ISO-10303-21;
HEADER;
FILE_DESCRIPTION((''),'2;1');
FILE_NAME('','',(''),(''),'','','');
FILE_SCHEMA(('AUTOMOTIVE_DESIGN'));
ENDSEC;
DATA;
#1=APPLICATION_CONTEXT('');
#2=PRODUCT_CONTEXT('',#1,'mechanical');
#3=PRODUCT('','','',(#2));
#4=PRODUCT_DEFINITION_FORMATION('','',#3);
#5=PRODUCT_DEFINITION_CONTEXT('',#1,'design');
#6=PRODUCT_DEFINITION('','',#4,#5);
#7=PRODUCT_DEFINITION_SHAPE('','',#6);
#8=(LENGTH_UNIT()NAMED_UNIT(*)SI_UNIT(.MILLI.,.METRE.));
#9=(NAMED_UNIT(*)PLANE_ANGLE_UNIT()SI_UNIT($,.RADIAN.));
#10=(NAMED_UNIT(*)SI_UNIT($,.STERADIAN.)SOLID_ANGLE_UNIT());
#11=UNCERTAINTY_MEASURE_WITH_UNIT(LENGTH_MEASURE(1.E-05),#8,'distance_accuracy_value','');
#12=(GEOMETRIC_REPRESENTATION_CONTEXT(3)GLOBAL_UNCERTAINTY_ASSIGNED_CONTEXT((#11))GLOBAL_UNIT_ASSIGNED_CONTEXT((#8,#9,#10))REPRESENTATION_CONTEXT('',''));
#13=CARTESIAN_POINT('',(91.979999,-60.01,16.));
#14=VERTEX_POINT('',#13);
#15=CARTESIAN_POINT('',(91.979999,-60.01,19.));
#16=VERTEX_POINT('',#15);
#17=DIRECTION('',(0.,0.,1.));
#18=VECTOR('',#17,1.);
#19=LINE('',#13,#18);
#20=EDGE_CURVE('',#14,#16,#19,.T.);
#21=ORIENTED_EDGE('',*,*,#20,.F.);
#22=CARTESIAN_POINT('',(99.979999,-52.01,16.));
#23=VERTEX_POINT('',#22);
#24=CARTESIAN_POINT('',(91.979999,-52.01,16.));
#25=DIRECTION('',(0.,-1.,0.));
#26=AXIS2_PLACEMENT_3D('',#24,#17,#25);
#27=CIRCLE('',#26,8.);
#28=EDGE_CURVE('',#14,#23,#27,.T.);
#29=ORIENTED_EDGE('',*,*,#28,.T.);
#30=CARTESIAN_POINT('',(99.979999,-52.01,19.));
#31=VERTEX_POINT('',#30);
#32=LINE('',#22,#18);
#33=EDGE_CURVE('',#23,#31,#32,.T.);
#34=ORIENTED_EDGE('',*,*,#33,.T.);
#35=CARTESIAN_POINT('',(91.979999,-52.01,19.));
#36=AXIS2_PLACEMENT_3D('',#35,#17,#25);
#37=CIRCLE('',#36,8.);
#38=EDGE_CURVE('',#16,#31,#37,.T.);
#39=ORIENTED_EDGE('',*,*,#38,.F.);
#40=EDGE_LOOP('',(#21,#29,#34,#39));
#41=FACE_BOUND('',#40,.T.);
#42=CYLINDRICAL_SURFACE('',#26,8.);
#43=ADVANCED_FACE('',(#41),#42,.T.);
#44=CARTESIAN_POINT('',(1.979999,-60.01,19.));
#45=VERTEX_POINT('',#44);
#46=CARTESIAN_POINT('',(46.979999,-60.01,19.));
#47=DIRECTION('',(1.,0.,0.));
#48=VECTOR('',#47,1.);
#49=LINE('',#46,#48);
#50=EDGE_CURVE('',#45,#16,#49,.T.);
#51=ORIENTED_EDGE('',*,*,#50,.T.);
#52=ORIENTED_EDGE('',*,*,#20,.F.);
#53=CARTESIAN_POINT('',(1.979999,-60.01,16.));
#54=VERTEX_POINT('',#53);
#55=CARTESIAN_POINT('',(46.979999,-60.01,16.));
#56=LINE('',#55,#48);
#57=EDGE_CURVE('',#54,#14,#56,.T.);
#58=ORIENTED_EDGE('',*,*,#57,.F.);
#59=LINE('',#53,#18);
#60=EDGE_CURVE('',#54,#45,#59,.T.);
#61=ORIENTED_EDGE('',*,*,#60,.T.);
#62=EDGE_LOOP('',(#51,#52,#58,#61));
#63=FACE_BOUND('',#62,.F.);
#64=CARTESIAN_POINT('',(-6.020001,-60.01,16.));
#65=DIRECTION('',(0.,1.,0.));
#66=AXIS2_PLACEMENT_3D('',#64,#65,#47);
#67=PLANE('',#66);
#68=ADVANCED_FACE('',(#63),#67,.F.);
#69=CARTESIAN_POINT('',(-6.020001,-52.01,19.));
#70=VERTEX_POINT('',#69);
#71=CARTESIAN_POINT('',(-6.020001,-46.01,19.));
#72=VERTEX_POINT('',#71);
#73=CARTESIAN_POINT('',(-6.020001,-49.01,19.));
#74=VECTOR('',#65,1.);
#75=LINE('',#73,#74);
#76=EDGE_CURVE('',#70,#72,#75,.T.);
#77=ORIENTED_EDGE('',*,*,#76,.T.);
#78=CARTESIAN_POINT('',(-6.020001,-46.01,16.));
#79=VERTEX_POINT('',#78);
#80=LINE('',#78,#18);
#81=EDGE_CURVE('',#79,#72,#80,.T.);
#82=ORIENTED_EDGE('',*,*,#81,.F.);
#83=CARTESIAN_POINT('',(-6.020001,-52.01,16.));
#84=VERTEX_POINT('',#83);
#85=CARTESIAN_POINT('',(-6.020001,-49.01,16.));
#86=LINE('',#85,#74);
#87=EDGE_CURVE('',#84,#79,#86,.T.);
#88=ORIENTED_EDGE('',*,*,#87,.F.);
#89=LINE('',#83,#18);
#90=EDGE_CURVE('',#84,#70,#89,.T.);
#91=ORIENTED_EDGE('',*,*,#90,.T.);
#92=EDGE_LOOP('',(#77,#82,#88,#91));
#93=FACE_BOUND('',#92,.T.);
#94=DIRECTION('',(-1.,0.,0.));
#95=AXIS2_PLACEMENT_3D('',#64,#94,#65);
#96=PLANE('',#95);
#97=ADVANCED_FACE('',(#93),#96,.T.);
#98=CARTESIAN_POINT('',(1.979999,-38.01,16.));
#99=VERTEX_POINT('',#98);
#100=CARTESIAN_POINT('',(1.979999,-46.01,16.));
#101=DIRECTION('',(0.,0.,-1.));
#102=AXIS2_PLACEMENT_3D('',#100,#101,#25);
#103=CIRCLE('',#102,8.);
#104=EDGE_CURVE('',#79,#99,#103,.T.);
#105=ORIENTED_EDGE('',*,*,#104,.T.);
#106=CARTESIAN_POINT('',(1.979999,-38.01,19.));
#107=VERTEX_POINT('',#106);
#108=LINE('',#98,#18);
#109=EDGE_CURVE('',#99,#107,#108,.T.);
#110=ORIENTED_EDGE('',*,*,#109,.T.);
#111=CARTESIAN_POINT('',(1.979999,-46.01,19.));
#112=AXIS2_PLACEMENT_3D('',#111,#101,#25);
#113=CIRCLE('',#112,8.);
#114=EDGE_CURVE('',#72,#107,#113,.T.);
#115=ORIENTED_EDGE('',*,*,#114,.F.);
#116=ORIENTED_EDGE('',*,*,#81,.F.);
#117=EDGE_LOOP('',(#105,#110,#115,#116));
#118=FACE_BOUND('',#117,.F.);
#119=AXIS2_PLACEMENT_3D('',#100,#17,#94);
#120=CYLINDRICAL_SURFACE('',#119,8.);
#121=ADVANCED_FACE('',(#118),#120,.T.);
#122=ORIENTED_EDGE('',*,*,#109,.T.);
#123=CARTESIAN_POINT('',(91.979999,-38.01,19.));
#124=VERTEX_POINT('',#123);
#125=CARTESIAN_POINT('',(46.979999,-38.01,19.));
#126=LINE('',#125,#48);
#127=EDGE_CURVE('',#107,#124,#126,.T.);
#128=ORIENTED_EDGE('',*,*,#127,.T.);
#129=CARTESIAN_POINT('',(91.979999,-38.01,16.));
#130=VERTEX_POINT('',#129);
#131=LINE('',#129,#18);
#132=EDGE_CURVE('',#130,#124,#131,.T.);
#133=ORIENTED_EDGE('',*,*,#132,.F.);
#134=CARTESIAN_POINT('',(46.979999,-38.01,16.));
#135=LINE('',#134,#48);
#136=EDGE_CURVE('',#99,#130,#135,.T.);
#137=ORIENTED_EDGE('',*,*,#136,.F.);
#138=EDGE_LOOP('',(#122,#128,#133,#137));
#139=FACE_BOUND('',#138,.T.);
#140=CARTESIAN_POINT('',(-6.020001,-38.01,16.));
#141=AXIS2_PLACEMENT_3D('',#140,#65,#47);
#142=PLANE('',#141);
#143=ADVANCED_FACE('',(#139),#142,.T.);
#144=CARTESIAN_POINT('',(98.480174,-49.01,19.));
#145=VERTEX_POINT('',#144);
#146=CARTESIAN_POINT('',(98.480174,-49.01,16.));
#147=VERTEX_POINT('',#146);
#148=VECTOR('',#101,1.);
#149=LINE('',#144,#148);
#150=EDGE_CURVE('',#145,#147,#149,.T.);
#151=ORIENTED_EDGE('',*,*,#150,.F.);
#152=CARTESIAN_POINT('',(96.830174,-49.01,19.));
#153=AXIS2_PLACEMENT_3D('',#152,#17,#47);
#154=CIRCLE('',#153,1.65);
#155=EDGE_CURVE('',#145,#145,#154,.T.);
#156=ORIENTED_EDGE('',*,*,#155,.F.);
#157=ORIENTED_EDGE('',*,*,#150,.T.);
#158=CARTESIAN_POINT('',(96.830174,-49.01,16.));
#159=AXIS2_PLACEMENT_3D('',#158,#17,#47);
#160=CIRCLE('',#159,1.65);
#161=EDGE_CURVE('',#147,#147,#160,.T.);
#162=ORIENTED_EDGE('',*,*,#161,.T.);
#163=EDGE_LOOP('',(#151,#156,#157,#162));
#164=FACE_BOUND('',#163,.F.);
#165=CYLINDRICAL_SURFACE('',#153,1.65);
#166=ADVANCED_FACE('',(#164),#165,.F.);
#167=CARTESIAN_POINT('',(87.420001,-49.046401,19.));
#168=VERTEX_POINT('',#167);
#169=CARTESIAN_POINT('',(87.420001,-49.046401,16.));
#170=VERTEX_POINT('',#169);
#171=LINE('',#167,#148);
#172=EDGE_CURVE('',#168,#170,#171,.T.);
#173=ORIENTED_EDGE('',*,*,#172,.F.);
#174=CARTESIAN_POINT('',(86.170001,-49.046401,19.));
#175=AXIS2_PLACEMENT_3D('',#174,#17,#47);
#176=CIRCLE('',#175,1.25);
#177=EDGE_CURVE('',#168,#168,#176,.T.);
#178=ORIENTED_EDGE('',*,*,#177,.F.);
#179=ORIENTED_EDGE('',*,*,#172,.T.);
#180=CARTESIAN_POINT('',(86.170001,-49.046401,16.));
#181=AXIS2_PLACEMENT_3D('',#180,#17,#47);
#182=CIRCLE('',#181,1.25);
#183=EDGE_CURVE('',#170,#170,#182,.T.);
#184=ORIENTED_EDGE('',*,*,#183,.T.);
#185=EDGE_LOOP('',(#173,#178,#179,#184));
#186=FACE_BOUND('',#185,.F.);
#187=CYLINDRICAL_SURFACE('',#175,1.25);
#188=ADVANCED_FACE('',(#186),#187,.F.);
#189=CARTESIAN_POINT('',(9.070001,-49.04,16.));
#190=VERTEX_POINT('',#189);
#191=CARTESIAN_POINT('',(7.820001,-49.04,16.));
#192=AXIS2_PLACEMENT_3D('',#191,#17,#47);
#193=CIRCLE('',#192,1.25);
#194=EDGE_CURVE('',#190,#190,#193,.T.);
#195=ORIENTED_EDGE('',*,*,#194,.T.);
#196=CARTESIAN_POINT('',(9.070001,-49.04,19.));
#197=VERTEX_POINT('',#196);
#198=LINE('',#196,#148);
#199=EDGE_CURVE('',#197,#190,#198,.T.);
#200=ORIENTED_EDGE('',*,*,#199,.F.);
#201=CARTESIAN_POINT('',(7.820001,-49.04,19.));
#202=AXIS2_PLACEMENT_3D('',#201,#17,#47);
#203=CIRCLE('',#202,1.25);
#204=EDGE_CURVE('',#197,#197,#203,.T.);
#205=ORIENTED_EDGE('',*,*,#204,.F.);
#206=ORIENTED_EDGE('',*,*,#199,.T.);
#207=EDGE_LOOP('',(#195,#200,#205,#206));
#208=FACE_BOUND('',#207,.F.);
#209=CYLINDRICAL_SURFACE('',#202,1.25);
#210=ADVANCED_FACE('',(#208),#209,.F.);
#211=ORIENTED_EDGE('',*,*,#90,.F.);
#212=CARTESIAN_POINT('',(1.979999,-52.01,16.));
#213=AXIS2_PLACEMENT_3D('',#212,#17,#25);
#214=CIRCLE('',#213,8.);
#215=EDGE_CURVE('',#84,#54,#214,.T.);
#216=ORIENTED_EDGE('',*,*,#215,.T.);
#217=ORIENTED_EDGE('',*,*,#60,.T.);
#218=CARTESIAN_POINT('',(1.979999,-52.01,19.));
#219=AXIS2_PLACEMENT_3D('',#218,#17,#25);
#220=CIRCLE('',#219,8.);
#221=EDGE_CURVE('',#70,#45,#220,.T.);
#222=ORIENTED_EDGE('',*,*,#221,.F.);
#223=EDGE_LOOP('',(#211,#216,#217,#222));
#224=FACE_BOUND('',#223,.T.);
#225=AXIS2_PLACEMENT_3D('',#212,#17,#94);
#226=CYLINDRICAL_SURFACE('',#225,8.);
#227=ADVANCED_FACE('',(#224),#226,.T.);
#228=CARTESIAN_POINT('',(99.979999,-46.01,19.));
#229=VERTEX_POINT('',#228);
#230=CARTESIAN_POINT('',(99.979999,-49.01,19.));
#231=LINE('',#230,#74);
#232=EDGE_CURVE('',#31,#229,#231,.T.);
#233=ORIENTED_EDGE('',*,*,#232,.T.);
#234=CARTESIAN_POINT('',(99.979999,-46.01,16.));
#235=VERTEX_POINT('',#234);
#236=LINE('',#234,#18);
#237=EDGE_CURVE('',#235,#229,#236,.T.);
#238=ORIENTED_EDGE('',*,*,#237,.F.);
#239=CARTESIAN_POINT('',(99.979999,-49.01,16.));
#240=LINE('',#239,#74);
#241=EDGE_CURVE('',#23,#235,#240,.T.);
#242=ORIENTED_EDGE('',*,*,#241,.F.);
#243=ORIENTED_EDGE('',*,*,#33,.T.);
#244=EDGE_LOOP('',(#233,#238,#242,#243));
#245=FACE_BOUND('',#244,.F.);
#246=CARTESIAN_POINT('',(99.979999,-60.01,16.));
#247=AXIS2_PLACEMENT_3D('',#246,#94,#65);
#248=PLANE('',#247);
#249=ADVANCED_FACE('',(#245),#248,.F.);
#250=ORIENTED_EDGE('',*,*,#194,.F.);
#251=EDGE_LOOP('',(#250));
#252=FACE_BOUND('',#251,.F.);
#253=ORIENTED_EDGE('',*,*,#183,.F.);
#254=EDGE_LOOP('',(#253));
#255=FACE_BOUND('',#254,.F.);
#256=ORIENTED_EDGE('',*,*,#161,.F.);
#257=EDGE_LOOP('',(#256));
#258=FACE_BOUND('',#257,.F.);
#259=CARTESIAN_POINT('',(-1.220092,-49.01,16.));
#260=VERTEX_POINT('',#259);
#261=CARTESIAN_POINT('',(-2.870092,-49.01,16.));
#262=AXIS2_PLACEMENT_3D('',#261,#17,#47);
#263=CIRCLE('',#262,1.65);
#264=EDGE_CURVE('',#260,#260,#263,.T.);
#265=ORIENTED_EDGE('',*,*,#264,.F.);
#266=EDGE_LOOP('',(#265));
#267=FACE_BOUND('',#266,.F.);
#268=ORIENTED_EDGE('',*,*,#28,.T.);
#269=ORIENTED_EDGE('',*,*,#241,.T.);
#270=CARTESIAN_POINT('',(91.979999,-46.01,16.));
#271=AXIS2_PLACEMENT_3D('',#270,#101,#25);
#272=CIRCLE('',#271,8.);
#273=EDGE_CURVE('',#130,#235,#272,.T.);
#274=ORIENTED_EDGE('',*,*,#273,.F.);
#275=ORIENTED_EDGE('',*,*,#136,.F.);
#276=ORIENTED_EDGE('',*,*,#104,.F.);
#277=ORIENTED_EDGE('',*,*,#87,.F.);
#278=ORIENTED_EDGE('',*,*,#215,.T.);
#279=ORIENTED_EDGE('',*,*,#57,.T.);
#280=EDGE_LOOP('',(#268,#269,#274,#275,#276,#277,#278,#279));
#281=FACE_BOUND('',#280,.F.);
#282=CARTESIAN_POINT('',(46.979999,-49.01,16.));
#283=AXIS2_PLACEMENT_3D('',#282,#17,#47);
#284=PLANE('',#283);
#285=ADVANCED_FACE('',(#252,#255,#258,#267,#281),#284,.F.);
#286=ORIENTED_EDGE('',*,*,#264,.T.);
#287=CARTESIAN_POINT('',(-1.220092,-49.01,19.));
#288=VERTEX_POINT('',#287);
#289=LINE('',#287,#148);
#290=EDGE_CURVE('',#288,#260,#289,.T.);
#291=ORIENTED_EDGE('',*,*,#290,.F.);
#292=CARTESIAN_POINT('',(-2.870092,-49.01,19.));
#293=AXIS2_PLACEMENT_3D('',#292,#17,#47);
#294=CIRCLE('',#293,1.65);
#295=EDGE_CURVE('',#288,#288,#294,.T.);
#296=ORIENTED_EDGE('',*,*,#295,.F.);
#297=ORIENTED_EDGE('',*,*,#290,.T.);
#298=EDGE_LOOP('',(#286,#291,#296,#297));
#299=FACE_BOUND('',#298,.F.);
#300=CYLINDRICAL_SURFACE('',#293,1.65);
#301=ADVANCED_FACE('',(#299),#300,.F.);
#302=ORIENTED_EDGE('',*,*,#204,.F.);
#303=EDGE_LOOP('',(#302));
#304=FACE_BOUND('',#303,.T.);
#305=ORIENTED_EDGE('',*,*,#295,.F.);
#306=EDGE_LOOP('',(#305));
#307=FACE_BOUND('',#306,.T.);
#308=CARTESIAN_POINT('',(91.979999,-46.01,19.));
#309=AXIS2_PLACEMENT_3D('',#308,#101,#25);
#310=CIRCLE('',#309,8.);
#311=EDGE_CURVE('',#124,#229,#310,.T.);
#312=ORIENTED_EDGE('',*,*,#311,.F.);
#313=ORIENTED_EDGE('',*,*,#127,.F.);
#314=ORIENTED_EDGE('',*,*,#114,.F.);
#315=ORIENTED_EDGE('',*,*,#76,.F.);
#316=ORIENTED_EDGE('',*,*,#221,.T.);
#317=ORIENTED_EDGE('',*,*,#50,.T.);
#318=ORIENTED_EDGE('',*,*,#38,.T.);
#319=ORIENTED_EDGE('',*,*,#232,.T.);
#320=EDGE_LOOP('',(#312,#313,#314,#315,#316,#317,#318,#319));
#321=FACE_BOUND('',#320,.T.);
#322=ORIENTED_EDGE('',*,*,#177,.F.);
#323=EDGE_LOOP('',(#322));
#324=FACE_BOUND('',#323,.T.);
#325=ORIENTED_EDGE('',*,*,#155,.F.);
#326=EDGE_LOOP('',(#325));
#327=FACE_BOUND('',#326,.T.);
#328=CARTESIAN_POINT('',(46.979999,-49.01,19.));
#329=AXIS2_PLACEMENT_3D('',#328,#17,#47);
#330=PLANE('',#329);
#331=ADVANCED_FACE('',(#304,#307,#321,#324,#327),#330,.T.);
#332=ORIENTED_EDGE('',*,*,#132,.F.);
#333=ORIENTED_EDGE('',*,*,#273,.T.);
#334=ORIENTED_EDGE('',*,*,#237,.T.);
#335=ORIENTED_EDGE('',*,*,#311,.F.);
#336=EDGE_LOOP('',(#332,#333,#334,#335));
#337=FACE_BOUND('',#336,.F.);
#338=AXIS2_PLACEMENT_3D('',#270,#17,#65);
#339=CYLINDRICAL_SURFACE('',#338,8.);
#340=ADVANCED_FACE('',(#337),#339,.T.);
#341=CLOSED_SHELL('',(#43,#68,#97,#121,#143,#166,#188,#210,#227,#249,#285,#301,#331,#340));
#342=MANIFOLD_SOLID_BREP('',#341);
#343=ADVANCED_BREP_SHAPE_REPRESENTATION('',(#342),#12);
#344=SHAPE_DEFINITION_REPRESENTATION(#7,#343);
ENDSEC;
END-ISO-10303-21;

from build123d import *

# Parameters (mm, degrees)
SKETCH086_W     = 106
SKETCH086_H     = 22
PAD005_DEPTH    = 3
SKETCH087_R     = 1.25
POCKET003_DEPTH = 3
FILLET005_R     = 8
SKETCH088_R     = 1.65
POCKET004_DEPTH = 3


with BuildPart() as part:
    # Sketch086 → Pad005 (new body)
    with BuildSketch(Plane.XY):
        with Locations((0.609999, 10.86)):
            Rectangle(SKETCH086_W, SKETCH086_H)
    extrude(amount=PAD005_DEPTH)

    # Sketch087 → Pocket003 (cut)
    with BuildSketch(Plane.XY.offset(3)):
        with Locations((-38.549999, 10.83)):
            Circle(SKETCH087_R)
        with Locations((39.800001, 10.823599)):
            Circle(SKETCH087_R)
    extrude(amount=-POCKET003_DEPTH, mode=Mode.SUBTRACT)

    # Fillet005
    fillet005_edges = [part.edges().sort_by_distance(p)[0] for p in [
        (-52.390001, 21.86, 1.5),
        (-52.390001, -0.14, 1.5),
        (53.609999, 21.86, 1.5),
        (53.609999, -0.14, 1.5),
    ]]
    fillet(fillet005_edges, radius=FILLET005_R)

    # Sketch088 (on Face5 of Fillet005) → Pocket004 (cut)
    with BuildSketch(Plane.XY.offset(3)):
        with Locations((-49.240092, 10.86)):
            Circle(SKETCH088_R)
        with Locations((50.460174, 10.86)):
            Circle(SKETCH088_R)
    extrude(amount=-POCKET004_DEPTH, mode=Mode.SUBTRACT)


with BuildPart() as part_1:
    # Body008 placement: moved
    add(part.part.moved(Location((46.37, -59.87, 16))))


solid = part_1.part
